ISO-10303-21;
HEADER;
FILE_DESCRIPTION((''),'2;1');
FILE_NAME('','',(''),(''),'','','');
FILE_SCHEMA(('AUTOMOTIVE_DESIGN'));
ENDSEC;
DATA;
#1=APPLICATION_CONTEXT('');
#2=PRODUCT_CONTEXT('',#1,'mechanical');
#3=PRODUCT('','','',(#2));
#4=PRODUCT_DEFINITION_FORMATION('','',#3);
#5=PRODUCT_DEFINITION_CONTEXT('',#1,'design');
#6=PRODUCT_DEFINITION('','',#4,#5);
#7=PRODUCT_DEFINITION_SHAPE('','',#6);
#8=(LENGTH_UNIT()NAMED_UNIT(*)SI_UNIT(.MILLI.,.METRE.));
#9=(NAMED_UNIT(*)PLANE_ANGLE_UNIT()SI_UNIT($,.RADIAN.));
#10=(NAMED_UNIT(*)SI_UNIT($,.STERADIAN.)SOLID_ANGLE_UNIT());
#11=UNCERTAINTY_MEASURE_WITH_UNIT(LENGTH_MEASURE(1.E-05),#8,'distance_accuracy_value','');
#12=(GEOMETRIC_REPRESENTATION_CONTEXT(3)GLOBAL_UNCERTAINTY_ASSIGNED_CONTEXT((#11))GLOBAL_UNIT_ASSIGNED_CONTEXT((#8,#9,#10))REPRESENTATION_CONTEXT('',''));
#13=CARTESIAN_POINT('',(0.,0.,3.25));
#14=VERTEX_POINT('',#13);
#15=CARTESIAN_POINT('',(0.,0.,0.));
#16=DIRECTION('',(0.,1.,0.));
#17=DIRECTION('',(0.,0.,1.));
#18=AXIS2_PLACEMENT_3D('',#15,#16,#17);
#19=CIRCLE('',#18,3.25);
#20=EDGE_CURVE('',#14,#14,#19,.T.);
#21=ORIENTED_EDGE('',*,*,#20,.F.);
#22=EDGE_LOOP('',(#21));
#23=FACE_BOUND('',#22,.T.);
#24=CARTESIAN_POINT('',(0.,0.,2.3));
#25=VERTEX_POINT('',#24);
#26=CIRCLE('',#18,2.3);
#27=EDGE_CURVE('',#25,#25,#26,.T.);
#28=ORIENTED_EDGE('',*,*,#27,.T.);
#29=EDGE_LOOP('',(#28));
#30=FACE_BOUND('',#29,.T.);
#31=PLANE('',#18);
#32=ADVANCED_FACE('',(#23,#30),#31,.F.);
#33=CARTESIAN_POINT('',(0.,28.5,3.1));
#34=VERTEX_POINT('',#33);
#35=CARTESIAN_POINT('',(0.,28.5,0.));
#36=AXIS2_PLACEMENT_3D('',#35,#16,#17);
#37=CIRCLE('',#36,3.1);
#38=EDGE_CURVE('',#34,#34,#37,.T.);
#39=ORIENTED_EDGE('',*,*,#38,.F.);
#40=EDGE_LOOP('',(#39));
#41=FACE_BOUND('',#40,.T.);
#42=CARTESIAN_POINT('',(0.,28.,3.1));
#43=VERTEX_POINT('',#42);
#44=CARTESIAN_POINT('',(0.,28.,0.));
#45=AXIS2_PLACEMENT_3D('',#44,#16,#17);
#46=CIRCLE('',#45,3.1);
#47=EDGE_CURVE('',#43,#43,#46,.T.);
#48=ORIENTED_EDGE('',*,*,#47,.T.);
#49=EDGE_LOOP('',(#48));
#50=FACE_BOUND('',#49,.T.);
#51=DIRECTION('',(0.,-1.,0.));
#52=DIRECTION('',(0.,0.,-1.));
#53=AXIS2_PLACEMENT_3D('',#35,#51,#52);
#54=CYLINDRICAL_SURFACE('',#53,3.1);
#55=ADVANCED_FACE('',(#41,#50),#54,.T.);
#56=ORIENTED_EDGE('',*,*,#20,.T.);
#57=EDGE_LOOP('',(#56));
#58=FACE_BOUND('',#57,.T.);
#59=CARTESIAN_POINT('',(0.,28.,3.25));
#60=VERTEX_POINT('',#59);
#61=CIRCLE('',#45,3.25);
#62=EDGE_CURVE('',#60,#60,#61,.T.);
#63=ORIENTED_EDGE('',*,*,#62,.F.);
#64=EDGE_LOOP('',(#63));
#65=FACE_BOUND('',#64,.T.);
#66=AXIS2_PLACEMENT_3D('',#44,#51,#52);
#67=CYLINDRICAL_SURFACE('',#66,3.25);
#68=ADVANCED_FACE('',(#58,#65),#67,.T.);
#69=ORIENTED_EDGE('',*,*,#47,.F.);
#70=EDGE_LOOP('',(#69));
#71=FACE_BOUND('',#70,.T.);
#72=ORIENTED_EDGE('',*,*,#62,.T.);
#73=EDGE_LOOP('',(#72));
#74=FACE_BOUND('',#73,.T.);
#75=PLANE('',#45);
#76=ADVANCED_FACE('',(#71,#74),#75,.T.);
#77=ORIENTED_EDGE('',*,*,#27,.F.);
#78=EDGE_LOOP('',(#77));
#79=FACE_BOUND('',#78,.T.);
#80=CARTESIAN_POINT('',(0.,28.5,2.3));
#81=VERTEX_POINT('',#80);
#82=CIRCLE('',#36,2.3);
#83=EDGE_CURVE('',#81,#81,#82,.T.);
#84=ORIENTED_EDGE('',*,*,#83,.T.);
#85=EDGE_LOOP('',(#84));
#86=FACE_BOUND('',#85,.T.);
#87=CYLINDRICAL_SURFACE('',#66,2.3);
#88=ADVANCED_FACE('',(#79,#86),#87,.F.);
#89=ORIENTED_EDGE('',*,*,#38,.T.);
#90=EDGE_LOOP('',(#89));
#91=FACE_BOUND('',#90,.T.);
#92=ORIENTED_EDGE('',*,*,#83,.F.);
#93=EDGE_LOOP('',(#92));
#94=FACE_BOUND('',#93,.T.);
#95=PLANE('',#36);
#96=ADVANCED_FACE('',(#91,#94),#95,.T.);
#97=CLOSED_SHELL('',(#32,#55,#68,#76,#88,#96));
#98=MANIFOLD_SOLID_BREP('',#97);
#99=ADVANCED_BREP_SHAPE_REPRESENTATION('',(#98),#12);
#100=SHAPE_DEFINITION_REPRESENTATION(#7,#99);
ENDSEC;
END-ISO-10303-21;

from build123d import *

# Parameters (mm, degrees)
SKETCH_1_R      = 3.25
SKETCH_1_R_2    = 2.3
EXTRUDE_1_DEPTH = 28
SKETCH_2_R      = 3.1
SKETCH_2_R_2    = 2.3
EXTRUDE_2_DEPTH = 0.5


with BuildPart() as part:
    # Эскиз1 → Бобышка-Вытянуть1 (new body)
    with BuildSketch(Plane(origin=(0, 0, 0), x_dir=(1, 0, 0), z_dir=(0, 1, 0))):
        with Locations(Location((0, 0, 0), (0, 0, 270))):
            Circle(SKETCH_1_R)
        with Locations(Location((0, 0, 0), (0, 0, 270))):
            Circle(SKETCH_1_R_2, mode=Mode.SUBTRACT)
    extrude(amount=EXTRUDE_1_DEPTH)

    # Эскиз2 → Бобышка-Вытянуть2 (add)
    with BuildSketch(Plane(origin=(0, 28, 0), x_dir=(1, 0, 0), z_dir=(0, 1, 0))):
        with Locations(Location((0, 0, 0), (0, 0, 270))):
            Circle(SKETCH_2_R)
        with Locations(Location((0, 0, 0), (0, 0, 270))):
            Circle(SKETCH_2_R_2, mode=Mode.SUBTRACT)
    extrude(amount=EXTRUDE_2_DEPTH)


solid = part.part
